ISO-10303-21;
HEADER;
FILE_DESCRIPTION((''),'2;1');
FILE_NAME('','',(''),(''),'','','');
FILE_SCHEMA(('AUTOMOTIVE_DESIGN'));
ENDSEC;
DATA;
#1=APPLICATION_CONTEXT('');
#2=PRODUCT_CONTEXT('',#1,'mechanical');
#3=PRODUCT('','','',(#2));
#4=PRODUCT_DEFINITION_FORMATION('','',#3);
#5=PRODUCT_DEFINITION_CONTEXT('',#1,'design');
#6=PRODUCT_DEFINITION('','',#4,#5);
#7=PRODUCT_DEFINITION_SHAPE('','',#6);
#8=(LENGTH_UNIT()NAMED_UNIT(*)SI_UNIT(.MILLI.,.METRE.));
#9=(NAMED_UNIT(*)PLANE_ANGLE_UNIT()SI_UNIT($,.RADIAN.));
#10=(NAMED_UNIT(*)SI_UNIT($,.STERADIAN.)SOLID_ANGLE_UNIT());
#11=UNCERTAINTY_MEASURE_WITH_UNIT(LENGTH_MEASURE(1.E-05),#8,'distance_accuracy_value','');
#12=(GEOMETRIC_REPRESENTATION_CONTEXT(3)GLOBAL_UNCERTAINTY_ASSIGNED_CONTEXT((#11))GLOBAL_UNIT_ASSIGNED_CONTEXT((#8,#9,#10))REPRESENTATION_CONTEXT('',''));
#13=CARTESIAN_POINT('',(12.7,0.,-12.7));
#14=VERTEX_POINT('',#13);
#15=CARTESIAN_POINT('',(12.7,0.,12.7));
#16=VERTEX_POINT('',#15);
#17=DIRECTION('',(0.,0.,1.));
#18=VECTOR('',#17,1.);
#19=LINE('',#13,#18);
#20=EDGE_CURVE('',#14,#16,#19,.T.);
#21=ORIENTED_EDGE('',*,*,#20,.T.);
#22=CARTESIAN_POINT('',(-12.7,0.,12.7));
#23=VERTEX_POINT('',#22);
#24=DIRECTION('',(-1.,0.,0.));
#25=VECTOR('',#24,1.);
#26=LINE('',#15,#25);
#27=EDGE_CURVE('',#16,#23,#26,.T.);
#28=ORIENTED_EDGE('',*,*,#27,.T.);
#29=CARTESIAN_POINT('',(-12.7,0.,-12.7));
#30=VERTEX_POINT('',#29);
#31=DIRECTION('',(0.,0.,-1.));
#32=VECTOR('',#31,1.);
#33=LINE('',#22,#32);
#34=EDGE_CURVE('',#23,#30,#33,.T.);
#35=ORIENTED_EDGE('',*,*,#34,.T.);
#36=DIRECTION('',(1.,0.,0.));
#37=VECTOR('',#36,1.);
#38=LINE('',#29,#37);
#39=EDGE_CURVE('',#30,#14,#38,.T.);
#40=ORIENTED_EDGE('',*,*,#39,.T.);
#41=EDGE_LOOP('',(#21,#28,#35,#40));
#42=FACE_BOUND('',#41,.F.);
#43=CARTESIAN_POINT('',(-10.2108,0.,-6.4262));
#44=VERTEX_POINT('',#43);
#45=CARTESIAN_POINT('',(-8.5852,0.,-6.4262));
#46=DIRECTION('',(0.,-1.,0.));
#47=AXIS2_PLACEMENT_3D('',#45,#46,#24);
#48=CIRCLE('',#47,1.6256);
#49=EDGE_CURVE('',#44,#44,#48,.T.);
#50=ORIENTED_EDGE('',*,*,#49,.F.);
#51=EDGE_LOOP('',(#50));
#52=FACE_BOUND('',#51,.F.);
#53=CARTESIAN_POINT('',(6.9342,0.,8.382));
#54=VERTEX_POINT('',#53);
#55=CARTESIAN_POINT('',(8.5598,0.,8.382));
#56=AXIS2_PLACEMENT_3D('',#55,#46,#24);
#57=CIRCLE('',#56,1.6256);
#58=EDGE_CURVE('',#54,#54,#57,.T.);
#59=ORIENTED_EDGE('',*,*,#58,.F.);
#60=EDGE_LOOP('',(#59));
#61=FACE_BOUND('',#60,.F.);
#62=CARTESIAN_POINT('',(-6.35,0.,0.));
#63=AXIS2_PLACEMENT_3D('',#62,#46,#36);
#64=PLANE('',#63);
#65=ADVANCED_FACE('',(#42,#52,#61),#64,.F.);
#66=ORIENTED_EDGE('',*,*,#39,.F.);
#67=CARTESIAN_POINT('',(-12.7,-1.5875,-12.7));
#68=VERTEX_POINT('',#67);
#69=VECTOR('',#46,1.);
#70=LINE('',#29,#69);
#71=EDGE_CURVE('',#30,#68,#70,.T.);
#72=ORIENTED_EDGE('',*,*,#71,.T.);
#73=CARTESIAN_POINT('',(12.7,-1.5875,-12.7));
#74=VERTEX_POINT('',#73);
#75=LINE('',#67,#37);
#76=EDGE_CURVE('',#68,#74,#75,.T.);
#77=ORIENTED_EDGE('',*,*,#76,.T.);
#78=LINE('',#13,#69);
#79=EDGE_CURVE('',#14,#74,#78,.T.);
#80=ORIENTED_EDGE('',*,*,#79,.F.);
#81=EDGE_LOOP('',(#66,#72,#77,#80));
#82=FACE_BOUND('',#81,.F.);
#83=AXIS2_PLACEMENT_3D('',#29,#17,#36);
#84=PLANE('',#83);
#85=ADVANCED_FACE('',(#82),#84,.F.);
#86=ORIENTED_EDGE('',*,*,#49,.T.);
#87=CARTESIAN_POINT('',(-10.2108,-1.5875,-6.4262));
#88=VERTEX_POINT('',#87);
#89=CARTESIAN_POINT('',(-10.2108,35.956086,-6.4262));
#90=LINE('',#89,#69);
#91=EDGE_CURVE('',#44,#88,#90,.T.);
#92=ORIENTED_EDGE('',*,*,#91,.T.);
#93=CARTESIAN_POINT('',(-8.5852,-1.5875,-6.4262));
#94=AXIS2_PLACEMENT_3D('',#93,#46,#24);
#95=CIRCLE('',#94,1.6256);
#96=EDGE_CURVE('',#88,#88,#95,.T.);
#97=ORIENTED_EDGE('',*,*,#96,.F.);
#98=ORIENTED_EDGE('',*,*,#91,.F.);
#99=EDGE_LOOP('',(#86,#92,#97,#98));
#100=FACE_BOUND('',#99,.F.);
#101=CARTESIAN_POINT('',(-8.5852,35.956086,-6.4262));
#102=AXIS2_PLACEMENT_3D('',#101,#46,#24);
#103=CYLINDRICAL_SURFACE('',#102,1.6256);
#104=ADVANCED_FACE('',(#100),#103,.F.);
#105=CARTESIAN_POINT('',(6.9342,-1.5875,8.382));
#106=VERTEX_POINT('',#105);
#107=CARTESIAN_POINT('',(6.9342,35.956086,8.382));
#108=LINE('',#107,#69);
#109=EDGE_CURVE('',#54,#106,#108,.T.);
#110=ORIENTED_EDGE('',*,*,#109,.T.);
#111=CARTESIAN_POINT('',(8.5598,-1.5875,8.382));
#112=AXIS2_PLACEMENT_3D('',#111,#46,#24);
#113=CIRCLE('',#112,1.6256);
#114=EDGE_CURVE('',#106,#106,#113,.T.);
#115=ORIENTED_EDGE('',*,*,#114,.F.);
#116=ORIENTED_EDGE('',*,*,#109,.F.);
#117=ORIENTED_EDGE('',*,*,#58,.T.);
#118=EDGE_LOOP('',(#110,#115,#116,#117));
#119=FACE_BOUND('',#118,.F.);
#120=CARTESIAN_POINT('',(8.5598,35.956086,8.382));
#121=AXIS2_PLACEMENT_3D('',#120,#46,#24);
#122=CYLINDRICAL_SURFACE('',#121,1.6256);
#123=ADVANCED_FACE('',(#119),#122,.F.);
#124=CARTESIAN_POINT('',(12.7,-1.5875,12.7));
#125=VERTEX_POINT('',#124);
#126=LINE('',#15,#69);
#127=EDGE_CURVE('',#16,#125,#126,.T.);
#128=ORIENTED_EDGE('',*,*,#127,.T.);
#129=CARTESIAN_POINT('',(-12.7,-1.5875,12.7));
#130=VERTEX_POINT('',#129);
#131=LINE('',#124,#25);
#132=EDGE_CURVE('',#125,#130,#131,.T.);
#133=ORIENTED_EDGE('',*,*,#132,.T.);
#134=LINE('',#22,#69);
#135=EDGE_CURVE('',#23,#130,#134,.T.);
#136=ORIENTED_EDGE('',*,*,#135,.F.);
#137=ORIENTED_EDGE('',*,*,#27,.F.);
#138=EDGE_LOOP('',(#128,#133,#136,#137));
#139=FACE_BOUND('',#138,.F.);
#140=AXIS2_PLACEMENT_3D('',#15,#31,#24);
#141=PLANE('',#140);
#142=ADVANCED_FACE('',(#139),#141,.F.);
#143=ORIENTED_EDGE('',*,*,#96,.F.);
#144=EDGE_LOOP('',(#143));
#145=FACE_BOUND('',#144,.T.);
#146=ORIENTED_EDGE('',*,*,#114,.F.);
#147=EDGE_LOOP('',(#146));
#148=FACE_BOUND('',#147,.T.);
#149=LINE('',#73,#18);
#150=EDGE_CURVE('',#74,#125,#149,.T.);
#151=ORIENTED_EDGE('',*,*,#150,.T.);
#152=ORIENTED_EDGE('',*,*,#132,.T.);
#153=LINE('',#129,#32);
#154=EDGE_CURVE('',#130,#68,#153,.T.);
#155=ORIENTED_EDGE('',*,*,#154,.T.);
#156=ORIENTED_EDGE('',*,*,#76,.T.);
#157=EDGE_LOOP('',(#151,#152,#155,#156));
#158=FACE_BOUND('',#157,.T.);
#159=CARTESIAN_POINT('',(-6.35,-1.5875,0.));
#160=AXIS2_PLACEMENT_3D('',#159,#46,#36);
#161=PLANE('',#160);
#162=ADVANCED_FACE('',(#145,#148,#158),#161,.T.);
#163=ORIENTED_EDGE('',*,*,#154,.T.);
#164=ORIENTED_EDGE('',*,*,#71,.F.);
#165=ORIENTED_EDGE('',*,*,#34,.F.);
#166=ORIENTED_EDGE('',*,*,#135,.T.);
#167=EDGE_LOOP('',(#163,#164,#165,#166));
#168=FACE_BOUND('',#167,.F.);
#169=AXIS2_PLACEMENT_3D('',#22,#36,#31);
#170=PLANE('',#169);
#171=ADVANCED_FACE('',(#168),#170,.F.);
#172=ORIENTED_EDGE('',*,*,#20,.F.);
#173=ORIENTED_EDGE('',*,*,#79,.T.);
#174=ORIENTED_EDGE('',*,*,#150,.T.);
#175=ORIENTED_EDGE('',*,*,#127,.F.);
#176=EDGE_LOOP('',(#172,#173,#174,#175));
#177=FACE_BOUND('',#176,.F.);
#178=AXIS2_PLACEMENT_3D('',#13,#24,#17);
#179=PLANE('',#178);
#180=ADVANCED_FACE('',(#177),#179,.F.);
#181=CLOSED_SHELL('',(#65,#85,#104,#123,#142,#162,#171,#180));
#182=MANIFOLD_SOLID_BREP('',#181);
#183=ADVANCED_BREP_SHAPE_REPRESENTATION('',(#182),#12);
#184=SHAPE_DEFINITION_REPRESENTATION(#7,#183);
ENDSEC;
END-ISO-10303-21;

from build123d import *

# Parameters (mm, degrees)
F0_W     = 8.5598
F0_H     = 6.2738
F0_W_2   = 4.1402
F1_DEPTH = 1.5875
F2_D     = 3.2512


with BuildPart() as f1:
    # F0 (on Front) → F1 (new body)
    with BuildSketch(Plane.XZ):
        Polygon((0, 12.7), (-12.7, 12.7), (-12.7, -12.7), (0, -12.7), (0, -6.4262), align=None)
        Polygon((12.7, 12.7), (0, 12.7), (0, -6.4262), (8.5598, -6.4262), (12.7, -6.4262), align=None)
        with Locations((4.2799, -9.5631)):
            Rectangle(F0_W, F0_H)
        with Locations((10.6299, -9.5631)):
            Rectangle(F0_W_2, F0_H)
    extrude(amount=F1_DEPTH)

    # F2 (through all)
    with Locations(Plane(origin=(0, 0, 0), x_dir=(1, 0, 0), z_dir=(0, 1, 0))):
        with Locations((8.5598, -8.382), (-8.5852, 6.4262)):
            Hole(F2_D / 2)


solid = f1.part
